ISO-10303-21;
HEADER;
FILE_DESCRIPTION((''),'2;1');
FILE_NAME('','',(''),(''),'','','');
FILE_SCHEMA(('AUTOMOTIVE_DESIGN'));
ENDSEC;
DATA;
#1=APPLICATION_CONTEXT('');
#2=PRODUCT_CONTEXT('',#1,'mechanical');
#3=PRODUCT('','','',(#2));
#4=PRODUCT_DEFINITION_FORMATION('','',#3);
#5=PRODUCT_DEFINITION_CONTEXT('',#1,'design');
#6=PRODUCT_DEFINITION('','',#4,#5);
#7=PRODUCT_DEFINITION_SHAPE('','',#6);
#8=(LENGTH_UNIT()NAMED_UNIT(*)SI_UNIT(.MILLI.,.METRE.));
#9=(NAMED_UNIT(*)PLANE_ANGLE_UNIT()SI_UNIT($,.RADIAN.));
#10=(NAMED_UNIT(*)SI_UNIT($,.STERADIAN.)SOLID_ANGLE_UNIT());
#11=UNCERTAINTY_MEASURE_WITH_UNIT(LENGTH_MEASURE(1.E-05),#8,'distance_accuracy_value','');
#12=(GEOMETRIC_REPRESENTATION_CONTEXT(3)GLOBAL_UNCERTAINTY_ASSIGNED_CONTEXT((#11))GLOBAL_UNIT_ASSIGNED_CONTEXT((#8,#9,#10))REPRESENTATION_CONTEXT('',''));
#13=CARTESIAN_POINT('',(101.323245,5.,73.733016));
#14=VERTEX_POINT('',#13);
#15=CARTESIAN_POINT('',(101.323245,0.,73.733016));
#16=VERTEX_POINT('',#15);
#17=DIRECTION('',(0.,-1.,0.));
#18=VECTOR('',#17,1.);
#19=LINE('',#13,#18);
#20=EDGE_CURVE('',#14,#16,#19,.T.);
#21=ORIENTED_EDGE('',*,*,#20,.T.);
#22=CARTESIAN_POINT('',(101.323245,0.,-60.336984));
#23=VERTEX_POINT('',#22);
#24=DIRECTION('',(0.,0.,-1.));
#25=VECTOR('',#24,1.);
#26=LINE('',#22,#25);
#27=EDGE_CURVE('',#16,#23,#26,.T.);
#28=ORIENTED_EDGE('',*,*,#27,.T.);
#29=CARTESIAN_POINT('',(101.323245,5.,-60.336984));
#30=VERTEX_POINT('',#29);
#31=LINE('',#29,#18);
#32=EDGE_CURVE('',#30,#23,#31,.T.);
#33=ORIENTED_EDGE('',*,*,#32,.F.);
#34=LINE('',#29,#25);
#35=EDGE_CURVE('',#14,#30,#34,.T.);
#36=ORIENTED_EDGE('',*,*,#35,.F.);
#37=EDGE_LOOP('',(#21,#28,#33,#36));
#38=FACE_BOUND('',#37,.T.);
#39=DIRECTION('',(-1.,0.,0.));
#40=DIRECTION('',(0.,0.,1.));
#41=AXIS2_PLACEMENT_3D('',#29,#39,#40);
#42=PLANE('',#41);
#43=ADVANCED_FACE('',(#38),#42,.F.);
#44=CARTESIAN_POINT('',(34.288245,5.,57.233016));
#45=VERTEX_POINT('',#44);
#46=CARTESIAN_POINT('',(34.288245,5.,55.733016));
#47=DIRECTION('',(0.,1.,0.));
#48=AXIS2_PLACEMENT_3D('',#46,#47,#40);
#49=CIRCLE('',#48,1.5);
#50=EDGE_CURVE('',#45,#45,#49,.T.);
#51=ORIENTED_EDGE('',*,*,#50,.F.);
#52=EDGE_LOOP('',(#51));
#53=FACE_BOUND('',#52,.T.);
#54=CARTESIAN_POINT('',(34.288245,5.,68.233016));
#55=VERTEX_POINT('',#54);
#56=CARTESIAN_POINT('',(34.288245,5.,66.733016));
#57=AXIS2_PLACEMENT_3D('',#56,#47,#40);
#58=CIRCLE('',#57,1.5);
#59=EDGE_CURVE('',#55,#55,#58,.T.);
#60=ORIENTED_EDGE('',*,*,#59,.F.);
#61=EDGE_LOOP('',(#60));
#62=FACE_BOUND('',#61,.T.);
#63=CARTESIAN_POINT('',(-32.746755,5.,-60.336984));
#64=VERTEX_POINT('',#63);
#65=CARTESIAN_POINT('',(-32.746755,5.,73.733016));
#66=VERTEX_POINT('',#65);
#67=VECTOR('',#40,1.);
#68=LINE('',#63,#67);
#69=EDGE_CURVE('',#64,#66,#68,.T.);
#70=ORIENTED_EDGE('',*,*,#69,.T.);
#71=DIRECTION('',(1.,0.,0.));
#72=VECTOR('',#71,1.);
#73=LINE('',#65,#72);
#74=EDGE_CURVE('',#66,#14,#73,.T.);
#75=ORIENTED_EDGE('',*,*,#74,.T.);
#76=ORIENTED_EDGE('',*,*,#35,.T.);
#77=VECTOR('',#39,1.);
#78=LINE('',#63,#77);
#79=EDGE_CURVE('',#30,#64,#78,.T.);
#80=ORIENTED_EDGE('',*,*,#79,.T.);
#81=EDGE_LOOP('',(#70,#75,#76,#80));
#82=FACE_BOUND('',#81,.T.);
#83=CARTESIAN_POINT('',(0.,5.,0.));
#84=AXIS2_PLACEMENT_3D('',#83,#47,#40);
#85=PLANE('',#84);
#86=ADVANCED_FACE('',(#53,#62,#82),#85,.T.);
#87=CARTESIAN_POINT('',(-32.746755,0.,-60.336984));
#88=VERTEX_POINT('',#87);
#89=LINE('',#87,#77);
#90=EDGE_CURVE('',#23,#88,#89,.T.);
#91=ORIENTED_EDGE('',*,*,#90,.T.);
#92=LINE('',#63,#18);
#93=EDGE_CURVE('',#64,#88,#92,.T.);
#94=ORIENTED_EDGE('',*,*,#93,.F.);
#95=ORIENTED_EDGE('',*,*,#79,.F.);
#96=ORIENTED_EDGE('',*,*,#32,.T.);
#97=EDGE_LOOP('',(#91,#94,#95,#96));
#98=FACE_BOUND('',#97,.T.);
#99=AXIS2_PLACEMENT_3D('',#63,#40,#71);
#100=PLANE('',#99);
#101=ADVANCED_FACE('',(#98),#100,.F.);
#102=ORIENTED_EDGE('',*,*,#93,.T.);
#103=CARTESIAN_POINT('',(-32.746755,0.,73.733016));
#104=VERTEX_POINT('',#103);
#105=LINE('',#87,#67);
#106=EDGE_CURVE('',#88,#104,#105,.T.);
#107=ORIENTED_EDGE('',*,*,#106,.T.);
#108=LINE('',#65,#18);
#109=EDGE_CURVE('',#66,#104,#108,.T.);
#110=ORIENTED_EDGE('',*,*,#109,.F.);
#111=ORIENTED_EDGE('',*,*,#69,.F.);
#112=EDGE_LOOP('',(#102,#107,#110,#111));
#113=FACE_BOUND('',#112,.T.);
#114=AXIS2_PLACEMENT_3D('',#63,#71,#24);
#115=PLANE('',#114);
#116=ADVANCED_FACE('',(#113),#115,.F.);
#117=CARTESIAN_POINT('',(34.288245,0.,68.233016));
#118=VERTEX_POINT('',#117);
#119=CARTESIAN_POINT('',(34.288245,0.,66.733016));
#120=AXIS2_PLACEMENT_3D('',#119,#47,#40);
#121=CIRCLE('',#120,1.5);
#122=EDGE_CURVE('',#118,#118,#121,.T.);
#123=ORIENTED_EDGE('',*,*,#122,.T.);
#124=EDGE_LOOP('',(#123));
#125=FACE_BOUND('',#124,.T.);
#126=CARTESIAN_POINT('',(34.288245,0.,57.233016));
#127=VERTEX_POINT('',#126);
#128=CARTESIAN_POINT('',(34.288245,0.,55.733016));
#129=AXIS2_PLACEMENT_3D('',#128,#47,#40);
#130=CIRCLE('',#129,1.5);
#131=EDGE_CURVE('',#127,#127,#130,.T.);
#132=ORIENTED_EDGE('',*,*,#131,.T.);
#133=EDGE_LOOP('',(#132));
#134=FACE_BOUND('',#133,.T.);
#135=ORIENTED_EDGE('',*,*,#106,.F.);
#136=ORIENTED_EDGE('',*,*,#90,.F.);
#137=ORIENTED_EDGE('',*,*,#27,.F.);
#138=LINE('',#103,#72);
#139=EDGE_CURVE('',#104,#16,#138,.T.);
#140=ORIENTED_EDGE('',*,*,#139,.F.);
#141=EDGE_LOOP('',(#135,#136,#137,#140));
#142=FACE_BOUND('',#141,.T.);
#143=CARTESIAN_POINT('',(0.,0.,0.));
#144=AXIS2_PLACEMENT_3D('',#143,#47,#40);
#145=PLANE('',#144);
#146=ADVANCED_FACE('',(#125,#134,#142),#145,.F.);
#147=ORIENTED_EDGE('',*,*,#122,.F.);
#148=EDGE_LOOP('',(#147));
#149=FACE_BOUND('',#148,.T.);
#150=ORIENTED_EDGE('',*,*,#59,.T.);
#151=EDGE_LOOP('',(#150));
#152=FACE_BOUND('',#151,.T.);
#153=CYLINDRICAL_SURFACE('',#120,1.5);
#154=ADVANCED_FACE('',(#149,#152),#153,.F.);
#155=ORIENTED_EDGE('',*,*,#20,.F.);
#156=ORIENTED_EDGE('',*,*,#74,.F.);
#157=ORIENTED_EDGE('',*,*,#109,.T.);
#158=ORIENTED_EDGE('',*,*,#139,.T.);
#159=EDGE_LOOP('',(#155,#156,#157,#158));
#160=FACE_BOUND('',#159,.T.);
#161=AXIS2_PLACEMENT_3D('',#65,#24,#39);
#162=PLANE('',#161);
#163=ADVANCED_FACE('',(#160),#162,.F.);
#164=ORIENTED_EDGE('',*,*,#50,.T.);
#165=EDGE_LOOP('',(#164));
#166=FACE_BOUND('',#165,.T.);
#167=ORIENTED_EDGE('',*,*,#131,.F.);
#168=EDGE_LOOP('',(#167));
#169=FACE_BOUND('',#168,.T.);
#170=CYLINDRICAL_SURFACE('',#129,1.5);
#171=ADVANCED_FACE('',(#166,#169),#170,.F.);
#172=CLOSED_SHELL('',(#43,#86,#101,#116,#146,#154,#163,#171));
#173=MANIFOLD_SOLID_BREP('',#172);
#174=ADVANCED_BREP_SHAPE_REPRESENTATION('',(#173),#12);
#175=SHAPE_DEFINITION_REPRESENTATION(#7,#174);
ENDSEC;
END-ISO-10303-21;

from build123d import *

# Parameters (mm, degrees)
ESBO_O1_W                = 134.07
ESBO_O1_H                = 134.07
RESSALTO_EXTRUS_O1_DEPTH = 5
ESBO_O2_R                = 1.5
CORTE_EXTRUS_O1_DEPTH    = 5


with BuildPart() as part:
    # Esboço1 → Ressalto-extrusão1 (new body)
    with BuildSketch(Plane(origin=(0, 0, 0), x_dir=(1, 0, 0), z_dir=(0, 1, 0))):
        with Locations((34.28824492, -6.698016278)):
            Rectangle(ESBO_O1_W, ESBO_O1_H)
    extrude(amount=RESSALTO_EXTRUS_O1_DEPTH)

    # Esboço2 → Corte-extrusão1 (cut)
    with BuildSketch(Plane(origin=(0, 5, 0), x_dir=(1, 0, 0), z_dir=(0, 1, 0))):
        with Locations(Location((34.28824492, -55.733016278, 0), (0, 0, 270))):
            Circle(ESBO_O2_R)
        with Locations(Location((34.28824492, -66.733016278, 0), (0, 0, 270))):
            Circle(ESBO_O2_R)
    extrude(amount=-CORTE_EXTRUS_O1_DEPTH, mode=Mode.SUBTRACT)


solid = part.part
